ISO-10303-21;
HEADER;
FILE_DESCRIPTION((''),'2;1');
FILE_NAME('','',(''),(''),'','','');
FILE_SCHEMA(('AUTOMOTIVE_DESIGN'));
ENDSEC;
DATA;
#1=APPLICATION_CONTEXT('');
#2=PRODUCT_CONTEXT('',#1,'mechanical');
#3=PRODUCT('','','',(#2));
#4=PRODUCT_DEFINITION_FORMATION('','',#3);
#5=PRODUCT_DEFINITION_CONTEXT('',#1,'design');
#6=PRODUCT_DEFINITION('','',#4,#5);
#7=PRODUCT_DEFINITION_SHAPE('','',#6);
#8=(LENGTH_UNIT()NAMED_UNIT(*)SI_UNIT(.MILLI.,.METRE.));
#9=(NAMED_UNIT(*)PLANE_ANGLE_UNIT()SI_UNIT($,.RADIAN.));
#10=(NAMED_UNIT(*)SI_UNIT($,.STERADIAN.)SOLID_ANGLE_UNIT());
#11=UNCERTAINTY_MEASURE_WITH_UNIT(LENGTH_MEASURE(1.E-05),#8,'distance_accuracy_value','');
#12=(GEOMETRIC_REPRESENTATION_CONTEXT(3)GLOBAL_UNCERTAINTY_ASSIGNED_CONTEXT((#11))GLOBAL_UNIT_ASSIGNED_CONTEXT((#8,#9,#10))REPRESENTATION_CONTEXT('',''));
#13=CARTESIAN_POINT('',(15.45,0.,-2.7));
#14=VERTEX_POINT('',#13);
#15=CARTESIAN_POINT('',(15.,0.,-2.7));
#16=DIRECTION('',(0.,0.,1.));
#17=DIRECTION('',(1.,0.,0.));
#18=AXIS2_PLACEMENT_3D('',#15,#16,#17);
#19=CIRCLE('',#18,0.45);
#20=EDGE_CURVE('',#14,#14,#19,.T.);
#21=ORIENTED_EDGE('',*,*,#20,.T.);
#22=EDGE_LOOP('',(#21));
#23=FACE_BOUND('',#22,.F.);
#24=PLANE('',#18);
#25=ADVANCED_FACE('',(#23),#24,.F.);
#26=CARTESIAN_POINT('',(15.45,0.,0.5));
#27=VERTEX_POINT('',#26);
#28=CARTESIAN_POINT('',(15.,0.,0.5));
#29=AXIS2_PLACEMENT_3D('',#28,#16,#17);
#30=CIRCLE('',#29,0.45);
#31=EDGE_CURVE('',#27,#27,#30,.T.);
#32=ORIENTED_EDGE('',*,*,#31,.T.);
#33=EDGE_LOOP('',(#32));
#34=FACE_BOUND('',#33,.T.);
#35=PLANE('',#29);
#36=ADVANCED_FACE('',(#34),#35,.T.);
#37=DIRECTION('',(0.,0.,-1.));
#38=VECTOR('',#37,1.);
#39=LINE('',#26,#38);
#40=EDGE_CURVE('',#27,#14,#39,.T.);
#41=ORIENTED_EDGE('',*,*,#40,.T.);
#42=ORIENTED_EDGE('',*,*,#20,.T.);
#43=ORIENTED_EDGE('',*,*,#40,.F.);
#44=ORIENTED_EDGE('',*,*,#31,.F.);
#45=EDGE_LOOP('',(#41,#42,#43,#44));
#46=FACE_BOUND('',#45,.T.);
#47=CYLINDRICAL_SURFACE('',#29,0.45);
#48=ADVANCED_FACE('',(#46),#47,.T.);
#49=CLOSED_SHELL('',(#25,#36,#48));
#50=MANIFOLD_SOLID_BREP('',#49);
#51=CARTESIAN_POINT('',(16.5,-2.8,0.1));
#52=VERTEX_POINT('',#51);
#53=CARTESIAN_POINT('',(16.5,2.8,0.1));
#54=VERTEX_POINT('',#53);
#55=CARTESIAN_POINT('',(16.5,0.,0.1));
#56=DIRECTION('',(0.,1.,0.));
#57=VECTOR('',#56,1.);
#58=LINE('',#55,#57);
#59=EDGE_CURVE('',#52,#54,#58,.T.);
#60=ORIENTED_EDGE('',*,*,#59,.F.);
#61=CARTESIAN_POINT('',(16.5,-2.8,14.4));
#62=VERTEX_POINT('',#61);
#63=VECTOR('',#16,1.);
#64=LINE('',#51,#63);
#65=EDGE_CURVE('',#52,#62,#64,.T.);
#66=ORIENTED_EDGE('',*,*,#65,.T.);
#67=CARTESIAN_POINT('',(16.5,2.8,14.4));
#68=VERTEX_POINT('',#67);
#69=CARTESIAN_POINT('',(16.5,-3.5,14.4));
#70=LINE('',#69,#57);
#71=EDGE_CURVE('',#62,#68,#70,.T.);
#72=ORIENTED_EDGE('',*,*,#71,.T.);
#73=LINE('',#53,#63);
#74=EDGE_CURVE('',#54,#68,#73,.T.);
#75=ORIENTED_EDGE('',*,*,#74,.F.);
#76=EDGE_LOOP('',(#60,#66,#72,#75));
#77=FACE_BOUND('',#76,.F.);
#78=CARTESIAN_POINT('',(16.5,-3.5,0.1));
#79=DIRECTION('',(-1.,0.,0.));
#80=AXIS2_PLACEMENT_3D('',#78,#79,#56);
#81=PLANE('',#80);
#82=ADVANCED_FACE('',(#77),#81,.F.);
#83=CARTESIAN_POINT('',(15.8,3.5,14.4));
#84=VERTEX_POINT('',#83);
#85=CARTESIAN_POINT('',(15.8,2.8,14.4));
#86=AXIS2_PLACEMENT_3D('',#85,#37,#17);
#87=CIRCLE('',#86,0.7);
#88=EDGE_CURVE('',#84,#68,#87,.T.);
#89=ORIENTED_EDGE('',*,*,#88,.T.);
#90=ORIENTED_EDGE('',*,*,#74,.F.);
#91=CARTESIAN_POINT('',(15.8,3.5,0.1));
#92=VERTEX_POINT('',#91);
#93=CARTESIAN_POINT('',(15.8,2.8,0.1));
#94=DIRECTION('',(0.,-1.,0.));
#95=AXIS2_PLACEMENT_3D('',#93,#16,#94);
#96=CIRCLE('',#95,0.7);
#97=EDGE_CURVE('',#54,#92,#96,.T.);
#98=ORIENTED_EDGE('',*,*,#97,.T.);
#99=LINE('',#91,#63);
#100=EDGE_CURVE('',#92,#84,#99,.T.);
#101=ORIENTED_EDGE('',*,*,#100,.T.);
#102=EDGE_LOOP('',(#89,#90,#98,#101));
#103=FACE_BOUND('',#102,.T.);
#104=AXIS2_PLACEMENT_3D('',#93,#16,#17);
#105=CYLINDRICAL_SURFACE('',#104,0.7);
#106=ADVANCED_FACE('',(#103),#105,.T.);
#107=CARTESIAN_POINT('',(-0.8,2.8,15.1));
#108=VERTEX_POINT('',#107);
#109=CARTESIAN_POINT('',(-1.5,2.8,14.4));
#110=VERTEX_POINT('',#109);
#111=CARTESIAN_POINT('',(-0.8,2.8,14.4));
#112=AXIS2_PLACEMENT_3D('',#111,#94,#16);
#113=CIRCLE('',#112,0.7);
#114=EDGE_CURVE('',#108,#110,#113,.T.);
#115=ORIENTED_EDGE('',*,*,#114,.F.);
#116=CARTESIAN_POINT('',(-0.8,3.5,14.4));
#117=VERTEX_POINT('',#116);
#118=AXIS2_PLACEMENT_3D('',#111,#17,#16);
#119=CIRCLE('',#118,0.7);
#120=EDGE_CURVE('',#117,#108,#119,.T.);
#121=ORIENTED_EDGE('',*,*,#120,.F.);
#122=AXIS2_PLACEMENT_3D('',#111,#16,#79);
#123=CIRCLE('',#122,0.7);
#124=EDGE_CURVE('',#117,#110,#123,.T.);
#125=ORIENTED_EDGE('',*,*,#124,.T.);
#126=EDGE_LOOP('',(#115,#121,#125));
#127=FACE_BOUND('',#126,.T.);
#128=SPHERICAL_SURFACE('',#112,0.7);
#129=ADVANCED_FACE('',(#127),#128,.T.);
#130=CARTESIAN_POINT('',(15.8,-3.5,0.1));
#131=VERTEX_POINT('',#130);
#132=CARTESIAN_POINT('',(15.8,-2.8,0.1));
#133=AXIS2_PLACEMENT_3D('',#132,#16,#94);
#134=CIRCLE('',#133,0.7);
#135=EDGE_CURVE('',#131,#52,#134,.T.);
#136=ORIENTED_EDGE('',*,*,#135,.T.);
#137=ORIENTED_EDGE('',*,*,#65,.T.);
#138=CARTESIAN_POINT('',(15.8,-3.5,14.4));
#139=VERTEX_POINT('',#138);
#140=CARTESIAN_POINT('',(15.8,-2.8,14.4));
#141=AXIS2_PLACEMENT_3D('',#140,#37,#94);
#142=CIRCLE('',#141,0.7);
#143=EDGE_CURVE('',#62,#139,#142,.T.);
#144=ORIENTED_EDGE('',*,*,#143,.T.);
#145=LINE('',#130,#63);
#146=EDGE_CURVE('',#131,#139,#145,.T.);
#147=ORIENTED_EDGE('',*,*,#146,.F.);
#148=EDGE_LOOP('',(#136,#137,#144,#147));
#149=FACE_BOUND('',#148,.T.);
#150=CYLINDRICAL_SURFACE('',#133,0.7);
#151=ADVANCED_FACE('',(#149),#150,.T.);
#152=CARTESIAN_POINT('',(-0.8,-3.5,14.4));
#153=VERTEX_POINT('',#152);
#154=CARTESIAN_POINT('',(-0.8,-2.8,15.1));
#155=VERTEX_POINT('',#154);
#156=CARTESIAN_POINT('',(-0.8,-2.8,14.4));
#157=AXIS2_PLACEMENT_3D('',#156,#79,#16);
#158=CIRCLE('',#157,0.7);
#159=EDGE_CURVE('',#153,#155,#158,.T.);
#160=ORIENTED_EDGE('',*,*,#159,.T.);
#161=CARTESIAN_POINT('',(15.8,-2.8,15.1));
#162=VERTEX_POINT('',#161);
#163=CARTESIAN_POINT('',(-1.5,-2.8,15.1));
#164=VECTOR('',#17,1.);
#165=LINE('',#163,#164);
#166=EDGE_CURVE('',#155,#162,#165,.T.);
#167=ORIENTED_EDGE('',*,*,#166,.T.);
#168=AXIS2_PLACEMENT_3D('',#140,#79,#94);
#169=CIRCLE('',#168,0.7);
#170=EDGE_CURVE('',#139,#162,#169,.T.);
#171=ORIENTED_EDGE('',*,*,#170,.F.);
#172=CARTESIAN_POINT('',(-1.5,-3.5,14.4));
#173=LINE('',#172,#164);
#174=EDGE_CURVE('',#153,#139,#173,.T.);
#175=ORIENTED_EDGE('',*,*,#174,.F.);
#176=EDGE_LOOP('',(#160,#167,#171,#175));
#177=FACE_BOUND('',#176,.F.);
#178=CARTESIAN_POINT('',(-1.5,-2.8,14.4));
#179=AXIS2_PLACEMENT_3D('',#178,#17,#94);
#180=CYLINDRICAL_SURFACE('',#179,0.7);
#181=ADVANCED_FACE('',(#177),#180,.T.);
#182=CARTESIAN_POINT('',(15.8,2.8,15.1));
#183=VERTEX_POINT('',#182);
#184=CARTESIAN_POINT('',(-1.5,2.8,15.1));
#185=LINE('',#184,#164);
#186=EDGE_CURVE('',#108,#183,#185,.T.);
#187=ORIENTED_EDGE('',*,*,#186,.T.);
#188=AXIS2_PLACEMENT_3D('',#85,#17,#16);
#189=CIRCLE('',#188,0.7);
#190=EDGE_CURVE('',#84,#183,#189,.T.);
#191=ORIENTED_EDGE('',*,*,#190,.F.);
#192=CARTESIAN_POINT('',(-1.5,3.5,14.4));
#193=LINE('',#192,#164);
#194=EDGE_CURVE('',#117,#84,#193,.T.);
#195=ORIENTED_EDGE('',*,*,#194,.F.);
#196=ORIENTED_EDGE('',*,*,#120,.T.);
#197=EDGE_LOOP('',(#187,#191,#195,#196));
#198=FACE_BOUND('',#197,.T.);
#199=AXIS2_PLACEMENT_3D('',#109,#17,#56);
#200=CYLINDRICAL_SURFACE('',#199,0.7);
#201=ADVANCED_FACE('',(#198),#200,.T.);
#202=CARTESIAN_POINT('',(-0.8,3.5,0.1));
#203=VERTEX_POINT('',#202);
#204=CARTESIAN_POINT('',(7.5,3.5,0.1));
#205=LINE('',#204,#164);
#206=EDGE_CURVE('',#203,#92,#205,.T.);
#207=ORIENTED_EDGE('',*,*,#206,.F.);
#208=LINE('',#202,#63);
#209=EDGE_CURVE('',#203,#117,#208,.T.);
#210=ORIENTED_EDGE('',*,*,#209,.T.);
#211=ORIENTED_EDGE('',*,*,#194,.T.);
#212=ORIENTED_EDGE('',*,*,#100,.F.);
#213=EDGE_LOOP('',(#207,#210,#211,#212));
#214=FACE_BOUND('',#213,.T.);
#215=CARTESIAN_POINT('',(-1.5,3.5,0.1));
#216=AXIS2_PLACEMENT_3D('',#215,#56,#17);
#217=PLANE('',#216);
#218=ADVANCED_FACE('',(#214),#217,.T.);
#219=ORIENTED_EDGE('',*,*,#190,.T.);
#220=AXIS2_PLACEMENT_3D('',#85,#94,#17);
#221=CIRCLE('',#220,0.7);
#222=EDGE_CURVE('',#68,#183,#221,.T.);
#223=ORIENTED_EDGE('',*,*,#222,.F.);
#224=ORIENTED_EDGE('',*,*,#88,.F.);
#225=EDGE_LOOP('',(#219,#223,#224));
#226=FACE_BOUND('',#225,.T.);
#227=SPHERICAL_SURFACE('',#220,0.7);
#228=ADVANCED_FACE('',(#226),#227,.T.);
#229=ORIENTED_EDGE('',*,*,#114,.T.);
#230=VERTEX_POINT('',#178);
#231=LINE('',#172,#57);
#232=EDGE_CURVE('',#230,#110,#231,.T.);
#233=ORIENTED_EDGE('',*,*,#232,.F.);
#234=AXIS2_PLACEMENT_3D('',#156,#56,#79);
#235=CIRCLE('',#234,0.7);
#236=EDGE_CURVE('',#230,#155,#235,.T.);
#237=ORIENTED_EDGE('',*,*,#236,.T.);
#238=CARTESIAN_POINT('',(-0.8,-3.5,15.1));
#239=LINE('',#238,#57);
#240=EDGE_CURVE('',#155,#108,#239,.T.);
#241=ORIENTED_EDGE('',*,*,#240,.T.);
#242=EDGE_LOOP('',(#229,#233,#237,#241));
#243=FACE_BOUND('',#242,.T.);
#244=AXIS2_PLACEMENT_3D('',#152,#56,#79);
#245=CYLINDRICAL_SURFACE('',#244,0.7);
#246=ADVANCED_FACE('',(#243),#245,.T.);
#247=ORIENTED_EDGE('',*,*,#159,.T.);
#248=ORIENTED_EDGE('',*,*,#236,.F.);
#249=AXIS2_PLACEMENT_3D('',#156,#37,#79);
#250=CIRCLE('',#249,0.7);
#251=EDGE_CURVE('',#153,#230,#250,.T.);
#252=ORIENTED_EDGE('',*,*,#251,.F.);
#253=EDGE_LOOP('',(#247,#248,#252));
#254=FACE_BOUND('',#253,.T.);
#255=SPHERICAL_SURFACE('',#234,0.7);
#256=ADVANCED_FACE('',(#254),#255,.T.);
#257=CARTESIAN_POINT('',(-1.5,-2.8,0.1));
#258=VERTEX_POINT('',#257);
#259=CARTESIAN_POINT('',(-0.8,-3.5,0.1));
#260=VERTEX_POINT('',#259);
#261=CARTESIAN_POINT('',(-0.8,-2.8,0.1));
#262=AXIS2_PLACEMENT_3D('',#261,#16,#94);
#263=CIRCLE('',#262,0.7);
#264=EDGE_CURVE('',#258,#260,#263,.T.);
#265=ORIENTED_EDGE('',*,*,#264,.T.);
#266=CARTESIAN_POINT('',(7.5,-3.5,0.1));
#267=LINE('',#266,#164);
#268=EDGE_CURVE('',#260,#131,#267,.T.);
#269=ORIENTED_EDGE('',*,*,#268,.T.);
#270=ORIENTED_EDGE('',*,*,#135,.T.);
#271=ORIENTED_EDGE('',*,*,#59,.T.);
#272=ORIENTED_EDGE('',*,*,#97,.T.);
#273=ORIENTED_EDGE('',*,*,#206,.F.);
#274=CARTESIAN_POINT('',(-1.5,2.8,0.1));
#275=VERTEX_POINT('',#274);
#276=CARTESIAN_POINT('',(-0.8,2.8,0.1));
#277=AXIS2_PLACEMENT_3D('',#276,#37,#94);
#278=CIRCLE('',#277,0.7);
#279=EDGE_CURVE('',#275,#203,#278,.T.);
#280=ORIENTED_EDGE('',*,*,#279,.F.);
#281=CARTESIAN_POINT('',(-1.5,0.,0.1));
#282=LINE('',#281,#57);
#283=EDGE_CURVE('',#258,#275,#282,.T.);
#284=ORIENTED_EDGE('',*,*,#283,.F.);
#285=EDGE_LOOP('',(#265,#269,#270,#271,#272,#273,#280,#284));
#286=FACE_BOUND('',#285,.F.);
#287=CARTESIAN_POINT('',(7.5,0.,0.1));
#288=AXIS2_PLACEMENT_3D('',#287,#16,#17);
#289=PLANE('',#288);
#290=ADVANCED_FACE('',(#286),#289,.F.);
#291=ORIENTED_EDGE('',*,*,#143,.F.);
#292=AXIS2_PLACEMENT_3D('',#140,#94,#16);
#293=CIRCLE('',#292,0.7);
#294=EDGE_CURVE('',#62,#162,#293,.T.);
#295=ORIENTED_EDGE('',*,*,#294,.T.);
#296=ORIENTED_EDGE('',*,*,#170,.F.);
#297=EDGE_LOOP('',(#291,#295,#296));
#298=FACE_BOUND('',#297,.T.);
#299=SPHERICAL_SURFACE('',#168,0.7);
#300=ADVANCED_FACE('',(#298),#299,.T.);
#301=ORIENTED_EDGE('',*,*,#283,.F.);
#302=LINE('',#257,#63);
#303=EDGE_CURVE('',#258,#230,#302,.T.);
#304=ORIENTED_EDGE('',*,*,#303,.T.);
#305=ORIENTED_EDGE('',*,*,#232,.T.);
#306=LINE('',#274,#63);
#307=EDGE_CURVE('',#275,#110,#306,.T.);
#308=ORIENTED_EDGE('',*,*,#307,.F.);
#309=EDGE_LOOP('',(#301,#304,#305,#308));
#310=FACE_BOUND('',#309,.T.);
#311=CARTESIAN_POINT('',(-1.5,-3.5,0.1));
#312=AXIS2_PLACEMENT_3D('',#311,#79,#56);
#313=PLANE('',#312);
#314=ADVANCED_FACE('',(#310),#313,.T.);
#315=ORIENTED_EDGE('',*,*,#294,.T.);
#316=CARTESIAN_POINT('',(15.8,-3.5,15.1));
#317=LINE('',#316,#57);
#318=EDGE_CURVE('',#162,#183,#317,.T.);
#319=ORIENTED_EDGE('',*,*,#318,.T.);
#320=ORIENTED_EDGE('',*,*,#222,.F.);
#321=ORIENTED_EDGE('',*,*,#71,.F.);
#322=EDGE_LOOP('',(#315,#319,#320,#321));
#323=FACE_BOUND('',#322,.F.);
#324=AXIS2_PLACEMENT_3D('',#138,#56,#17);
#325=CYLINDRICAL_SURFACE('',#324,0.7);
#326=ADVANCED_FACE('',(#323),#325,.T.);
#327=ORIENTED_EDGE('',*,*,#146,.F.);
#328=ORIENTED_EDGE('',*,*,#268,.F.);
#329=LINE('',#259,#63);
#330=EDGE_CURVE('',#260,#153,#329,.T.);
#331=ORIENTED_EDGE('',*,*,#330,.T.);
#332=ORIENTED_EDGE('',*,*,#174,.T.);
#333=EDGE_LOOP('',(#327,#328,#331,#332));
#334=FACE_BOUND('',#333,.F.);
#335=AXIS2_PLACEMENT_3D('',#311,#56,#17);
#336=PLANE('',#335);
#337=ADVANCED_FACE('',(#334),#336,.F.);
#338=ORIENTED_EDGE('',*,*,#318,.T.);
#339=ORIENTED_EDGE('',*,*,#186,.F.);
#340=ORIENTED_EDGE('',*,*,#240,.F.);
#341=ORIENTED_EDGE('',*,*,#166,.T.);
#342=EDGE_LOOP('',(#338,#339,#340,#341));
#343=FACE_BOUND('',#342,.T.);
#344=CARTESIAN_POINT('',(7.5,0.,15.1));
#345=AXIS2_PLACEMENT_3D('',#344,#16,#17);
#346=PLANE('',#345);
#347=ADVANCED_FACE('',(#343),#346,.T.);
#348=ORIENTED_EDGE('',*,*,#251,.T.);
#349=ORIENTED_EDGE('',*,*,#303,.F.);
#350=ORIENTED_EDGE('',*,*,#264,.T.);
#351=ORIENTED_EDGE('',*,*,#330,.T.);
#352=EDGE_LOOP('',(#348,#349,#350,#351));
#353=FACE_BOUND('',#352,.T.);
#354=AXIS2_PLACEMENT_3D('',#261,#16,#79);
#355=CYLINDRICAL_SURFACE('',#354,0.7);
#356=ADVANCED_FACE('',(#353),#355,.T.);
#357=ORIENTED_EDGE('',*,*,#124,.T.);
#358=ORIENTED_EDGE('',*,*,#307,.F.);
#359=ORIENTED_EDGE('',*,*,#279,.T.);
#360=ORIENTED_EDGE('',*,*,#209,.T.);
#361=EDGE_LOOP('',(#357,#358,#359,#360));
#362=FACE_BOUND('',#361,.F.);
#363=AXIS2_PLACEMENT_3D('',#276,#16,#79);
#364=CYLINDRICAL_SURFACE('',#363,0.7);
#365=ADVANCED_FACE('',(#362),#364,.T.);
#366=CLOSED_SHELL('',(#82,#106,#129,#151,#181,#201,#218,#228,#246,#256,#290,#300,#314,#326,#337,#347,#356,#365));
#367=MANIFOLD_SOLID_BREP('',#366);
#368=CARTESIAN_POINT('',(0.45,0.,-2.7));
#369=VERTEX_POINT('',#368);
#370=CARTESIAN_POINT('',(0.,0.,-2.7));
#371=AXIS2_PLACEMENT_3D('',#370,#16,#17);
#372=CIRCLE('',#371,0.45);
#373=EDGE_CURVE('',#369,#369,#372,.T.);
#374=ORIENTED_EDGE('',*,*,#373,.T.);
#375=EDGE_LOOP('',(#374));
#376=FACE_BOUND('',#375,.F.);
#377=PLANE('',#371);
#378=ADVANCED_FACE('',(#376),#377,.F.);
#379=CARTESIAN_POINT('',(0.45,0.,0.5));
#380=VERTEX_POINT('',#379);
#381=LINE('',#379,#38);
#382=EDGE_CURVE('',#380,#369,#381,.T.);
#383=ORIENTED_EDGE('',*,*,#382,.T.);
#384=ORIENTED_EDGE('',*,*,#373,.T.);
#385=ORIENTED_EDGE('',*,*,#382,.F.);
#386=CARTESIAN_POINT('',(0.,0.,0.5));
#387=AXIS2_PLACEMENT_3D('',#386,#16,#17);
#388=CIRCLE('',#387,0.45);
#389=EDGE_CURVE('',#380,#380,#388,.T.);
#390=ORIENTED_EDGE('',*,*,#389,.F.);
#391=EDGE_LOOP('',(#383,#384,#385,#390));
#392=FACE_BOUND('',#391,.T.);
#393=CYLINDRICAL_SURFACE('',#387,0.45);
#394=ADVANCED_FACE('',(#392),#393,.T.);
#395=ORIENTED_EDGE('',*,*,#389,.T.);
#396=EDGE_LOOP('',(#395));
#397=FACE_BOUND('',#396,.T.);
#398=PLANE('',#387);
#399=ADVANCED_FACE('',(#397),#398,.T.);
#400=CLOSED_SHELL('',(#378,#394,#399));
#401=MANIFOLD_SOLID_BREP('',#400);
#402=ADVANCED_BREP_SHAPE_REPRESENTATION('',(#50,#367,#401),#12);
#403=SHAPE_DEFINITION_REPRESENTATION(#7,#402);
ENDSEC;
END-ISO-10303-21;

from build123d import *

# Parameters (mm, degrees)
SKETCH_W     = 18
SKETCH_H     = 7
PAD_DEPTH    = 15
FILLET_R     = 0.7
SKETCH001_R  = 0.45
PAD001_DEPTH = 3.2


with BuildPart() as fillet_body:
    # Sketch → Pad (new body)
    with BuildSketch(Plane.XY.offset(0.1)):
        with Locations((7.5, 0)):
            Rectangle(SKETCH_W, SKETCH_H)
    extrude(amount=PAD_DEPTH)

    # Fillet
    fillet_edges = [fillet_body.edges().sort_by_distance(p)[0] for p in [
        (-1.5, 0, 15.1),
        (-1.5, -3.5, 7.6),
        (7.5, -3.5, 15.1),
        (16.5, -3.5, 7.6),
        (16.5, 0, 15.1),
        (16.5, 3.5, 7.6),
        (7.5, 3.5, 15.1),
        (-1.5, 3.5, 7.6),
    ]]
    fillet(fillet_edges, radius=FILLET_R)


with BuildPart() as pad001:
    # Sketch001 → Pad001 (new body)
    with BuildSketch(Plane.XY.offset(0.5)):
        Circle(SKETCH001_R)
        with Locations((15, 0)):
            Circle(SKETCH001_R)
    extrude(amount=-PAD001_DEPTH)


solid = Compound([fillet_body.part, pad001.part])
